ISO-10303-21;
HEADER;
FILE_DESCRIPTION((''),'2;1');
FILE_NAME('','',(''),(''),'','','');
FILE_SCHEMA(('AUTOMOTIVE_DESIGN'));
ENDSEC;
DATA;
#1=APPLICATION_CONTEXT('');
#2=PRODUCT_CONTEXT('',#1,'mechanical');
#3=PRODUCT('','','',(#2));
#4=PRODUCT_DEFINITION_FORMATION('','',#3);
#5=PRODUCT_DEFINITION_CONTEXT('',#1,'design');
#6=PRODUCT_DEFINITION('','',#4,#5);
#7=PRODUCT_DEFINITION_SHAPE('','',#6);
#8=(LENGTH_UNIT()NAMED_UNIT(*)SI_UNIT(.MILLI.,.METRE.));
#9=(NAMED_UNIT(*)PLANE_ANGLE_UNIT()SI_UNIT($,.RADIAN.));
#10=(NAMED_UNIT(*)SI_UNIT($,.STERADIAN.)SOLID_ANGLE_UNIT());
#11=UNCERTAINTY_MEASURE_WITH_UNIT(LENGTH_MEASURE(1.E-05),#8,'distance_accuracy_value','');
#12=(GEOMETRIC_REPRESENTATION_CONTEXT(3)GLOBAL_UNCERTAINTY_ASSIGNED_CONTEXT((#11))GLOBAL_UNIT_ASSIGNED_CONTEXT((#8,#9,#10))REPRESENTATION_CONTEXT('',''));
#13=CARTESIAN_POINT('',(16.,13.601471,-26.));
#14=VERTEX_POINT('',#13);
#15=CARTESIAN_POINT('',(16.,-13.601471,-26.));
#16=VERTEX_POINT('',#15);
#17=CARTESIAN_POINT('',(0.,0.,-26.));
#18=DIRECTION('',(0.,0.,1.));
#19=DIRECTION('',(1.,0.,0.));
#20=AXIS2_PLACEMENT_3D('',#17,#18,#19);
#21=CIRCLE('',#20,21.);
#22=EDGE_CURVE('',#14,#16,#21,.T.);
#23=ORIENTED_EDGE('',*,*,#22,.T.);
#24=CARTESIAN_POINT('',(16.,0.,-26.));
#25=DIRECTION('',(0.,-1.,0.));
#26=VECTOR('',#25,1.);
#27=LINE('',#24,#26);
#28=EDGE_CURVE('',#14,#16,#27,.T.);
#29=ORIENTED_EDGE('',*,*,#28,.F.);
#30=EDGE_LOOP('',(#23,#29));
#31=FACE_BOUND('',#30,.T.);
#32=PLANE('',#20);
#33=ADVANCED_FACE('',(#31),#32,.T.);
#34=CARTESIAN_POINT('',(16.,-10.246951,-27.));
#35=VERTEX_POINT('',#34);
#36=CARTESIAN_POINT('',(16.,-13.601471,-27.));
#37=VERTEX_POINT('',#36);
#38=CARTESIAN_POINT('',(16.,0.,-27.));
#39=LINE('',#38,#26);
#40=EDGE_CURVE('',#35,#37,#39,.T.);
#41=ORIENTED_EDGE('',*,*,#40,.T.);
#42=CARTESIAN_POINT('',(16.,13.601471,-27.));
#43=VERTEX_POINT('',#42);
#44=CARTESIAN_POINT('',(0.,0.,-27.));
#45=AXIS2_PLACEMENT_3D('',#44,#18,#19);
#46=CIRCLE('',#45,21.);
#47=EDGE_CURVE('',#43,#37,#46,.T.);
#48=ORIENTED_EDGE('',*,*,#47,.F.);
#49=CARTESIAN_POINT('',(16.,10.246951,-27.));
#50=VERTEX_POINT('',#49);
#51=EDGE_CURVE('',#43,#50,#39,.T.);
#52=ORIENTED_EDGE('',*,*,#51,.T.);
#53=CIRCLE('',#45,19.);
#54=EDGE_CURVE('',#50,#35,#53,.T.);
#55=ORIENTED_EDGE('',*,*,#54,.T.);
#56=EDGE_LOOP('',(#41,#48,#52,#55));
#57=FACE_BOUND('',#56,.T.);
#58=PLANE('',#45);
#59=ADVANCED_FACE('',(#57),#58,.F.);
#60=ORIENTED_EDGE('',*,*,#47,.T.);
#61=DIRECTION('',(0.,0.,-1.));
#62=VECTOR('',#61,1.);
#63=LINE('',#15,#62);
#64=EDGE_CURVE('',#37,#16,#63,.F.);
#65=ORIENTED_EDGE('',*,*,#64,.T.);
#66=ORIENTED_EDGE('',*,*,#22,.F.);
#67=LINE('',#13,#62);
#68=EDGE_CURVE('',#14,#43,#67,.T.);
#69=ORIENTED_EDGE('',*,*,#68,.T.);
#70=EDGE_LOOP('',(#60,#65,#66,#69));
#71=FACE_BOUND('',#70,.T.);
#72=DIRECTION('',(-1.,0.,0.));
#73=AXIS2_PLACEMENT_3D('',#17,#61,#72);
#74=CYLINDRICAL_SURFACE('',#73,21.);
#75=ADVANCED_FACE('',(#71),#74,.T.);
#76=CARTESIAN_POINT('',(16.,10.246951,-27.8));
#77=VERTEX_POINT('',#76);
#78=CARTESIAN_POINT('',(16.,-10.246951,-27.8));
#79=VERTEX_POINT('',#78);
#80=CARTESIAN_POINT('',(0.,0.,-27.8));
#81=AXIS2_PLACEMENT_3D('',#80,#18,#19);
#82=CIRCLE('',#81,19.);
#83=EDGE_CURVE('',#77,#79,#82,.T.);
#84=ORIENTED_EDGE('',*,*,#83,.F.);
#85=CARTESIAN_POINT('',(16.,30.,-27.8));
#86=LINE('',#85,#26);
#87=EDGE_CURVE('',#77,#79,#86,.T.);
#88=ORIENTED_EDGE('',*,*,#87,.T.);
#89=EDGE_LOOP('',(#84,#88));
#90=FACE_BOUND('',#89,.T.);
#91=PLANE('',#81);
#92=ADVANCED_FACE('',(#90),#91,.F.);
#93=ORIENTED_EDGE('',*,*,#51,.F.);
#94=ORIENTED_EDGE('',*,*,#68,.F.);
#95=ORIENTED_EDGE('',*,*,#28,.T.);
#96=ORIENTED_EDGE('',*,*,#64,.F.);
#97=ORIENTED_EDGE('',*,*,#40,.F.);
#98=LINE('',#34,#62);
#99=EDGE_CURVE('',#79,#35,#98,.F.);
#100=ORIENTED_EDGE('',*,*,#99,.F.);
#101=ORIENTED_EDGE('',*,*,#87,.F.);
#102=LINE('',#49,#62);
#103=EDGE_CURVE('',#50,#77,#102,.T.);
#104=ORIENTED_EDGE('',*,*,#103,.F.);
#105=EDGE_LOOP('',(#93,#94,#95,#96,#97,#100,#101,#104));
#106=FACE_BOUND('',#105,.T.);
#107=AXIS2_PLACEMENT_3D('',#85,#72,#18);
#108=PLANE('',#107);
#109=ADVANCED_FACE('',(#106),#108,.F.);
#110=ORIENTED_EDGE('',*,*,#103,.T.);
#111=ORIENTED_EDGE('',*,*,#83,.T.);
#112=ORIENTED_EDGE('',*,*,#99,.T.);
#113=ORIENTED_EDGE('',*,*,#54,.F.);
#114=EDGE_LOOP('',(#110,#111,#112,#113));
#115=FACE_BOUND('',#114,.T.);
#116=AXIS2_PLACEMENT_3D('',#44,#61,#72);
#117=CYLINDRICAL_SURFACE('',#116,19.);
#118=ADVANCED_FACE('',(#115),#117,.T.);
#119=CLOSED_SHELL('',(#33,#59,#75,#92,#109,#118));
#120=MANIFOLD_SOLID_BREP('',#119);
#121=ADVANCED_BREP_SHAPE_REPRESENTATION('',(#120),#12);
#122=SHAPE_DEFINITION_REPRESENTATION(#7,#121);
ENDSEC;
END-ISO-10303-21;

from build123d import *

# Parameters (mm, degrees)
BOSS_EXTRUDE1_START     = -27
SKETCH1_R               = 21
BOSS_EXTRUDE1_DEPTH     = 1
BOSS_EXTRUDE2_START     = -27.8
SKETCH2_R               = 19
BOSS_EXTRUDE2_DEPTH     = 0.8
CUT_EXTRUDE1_DEPTH      = 41.67972468
CUT_EXTRUDE1_DEPTH_BACK = 41.67972468
SKETCH3_W               = 14
SKETCH3_H               = 60


with BuildPart() as part:
    # Sketch1 → Boss-Extrude1 (new body)
    with BuildSketch(Plane.XY.offset(BOSS_EXTRUDE1_START)):
        Circle(SKETCH1_R)
    extrude(amount=BOSS_EXTRUDE1_DEPTH)

    # Sketch2 → Boss-Extrude2 (add)
    with BuildSketch(Plane.XY.offset(BOSS_EXTRUDE2_START)):
        Circle(SKETCH2_R)
    extrude(amount=BOSS_EXTRUDE2_DEPTH)

    # Sketch3 → Cut-Extrude1 (cut, two sides: drawn at the far end of the back side and taken through both)
    with BuildSketch(Plane.XY.offset(-CUT_EXTRUDE1_DEPTH_BACK)):
        with Locations((23, 0)):
            Rectangle(SKETCH3_W, SKETCH3_H)
    extrude(amount=CUT_EXTRUDE1_DEPTH + CUT_EXTRUDE1_DEPTH_BACK, mode=Mode.SUBTRACT)


solid = part.part
